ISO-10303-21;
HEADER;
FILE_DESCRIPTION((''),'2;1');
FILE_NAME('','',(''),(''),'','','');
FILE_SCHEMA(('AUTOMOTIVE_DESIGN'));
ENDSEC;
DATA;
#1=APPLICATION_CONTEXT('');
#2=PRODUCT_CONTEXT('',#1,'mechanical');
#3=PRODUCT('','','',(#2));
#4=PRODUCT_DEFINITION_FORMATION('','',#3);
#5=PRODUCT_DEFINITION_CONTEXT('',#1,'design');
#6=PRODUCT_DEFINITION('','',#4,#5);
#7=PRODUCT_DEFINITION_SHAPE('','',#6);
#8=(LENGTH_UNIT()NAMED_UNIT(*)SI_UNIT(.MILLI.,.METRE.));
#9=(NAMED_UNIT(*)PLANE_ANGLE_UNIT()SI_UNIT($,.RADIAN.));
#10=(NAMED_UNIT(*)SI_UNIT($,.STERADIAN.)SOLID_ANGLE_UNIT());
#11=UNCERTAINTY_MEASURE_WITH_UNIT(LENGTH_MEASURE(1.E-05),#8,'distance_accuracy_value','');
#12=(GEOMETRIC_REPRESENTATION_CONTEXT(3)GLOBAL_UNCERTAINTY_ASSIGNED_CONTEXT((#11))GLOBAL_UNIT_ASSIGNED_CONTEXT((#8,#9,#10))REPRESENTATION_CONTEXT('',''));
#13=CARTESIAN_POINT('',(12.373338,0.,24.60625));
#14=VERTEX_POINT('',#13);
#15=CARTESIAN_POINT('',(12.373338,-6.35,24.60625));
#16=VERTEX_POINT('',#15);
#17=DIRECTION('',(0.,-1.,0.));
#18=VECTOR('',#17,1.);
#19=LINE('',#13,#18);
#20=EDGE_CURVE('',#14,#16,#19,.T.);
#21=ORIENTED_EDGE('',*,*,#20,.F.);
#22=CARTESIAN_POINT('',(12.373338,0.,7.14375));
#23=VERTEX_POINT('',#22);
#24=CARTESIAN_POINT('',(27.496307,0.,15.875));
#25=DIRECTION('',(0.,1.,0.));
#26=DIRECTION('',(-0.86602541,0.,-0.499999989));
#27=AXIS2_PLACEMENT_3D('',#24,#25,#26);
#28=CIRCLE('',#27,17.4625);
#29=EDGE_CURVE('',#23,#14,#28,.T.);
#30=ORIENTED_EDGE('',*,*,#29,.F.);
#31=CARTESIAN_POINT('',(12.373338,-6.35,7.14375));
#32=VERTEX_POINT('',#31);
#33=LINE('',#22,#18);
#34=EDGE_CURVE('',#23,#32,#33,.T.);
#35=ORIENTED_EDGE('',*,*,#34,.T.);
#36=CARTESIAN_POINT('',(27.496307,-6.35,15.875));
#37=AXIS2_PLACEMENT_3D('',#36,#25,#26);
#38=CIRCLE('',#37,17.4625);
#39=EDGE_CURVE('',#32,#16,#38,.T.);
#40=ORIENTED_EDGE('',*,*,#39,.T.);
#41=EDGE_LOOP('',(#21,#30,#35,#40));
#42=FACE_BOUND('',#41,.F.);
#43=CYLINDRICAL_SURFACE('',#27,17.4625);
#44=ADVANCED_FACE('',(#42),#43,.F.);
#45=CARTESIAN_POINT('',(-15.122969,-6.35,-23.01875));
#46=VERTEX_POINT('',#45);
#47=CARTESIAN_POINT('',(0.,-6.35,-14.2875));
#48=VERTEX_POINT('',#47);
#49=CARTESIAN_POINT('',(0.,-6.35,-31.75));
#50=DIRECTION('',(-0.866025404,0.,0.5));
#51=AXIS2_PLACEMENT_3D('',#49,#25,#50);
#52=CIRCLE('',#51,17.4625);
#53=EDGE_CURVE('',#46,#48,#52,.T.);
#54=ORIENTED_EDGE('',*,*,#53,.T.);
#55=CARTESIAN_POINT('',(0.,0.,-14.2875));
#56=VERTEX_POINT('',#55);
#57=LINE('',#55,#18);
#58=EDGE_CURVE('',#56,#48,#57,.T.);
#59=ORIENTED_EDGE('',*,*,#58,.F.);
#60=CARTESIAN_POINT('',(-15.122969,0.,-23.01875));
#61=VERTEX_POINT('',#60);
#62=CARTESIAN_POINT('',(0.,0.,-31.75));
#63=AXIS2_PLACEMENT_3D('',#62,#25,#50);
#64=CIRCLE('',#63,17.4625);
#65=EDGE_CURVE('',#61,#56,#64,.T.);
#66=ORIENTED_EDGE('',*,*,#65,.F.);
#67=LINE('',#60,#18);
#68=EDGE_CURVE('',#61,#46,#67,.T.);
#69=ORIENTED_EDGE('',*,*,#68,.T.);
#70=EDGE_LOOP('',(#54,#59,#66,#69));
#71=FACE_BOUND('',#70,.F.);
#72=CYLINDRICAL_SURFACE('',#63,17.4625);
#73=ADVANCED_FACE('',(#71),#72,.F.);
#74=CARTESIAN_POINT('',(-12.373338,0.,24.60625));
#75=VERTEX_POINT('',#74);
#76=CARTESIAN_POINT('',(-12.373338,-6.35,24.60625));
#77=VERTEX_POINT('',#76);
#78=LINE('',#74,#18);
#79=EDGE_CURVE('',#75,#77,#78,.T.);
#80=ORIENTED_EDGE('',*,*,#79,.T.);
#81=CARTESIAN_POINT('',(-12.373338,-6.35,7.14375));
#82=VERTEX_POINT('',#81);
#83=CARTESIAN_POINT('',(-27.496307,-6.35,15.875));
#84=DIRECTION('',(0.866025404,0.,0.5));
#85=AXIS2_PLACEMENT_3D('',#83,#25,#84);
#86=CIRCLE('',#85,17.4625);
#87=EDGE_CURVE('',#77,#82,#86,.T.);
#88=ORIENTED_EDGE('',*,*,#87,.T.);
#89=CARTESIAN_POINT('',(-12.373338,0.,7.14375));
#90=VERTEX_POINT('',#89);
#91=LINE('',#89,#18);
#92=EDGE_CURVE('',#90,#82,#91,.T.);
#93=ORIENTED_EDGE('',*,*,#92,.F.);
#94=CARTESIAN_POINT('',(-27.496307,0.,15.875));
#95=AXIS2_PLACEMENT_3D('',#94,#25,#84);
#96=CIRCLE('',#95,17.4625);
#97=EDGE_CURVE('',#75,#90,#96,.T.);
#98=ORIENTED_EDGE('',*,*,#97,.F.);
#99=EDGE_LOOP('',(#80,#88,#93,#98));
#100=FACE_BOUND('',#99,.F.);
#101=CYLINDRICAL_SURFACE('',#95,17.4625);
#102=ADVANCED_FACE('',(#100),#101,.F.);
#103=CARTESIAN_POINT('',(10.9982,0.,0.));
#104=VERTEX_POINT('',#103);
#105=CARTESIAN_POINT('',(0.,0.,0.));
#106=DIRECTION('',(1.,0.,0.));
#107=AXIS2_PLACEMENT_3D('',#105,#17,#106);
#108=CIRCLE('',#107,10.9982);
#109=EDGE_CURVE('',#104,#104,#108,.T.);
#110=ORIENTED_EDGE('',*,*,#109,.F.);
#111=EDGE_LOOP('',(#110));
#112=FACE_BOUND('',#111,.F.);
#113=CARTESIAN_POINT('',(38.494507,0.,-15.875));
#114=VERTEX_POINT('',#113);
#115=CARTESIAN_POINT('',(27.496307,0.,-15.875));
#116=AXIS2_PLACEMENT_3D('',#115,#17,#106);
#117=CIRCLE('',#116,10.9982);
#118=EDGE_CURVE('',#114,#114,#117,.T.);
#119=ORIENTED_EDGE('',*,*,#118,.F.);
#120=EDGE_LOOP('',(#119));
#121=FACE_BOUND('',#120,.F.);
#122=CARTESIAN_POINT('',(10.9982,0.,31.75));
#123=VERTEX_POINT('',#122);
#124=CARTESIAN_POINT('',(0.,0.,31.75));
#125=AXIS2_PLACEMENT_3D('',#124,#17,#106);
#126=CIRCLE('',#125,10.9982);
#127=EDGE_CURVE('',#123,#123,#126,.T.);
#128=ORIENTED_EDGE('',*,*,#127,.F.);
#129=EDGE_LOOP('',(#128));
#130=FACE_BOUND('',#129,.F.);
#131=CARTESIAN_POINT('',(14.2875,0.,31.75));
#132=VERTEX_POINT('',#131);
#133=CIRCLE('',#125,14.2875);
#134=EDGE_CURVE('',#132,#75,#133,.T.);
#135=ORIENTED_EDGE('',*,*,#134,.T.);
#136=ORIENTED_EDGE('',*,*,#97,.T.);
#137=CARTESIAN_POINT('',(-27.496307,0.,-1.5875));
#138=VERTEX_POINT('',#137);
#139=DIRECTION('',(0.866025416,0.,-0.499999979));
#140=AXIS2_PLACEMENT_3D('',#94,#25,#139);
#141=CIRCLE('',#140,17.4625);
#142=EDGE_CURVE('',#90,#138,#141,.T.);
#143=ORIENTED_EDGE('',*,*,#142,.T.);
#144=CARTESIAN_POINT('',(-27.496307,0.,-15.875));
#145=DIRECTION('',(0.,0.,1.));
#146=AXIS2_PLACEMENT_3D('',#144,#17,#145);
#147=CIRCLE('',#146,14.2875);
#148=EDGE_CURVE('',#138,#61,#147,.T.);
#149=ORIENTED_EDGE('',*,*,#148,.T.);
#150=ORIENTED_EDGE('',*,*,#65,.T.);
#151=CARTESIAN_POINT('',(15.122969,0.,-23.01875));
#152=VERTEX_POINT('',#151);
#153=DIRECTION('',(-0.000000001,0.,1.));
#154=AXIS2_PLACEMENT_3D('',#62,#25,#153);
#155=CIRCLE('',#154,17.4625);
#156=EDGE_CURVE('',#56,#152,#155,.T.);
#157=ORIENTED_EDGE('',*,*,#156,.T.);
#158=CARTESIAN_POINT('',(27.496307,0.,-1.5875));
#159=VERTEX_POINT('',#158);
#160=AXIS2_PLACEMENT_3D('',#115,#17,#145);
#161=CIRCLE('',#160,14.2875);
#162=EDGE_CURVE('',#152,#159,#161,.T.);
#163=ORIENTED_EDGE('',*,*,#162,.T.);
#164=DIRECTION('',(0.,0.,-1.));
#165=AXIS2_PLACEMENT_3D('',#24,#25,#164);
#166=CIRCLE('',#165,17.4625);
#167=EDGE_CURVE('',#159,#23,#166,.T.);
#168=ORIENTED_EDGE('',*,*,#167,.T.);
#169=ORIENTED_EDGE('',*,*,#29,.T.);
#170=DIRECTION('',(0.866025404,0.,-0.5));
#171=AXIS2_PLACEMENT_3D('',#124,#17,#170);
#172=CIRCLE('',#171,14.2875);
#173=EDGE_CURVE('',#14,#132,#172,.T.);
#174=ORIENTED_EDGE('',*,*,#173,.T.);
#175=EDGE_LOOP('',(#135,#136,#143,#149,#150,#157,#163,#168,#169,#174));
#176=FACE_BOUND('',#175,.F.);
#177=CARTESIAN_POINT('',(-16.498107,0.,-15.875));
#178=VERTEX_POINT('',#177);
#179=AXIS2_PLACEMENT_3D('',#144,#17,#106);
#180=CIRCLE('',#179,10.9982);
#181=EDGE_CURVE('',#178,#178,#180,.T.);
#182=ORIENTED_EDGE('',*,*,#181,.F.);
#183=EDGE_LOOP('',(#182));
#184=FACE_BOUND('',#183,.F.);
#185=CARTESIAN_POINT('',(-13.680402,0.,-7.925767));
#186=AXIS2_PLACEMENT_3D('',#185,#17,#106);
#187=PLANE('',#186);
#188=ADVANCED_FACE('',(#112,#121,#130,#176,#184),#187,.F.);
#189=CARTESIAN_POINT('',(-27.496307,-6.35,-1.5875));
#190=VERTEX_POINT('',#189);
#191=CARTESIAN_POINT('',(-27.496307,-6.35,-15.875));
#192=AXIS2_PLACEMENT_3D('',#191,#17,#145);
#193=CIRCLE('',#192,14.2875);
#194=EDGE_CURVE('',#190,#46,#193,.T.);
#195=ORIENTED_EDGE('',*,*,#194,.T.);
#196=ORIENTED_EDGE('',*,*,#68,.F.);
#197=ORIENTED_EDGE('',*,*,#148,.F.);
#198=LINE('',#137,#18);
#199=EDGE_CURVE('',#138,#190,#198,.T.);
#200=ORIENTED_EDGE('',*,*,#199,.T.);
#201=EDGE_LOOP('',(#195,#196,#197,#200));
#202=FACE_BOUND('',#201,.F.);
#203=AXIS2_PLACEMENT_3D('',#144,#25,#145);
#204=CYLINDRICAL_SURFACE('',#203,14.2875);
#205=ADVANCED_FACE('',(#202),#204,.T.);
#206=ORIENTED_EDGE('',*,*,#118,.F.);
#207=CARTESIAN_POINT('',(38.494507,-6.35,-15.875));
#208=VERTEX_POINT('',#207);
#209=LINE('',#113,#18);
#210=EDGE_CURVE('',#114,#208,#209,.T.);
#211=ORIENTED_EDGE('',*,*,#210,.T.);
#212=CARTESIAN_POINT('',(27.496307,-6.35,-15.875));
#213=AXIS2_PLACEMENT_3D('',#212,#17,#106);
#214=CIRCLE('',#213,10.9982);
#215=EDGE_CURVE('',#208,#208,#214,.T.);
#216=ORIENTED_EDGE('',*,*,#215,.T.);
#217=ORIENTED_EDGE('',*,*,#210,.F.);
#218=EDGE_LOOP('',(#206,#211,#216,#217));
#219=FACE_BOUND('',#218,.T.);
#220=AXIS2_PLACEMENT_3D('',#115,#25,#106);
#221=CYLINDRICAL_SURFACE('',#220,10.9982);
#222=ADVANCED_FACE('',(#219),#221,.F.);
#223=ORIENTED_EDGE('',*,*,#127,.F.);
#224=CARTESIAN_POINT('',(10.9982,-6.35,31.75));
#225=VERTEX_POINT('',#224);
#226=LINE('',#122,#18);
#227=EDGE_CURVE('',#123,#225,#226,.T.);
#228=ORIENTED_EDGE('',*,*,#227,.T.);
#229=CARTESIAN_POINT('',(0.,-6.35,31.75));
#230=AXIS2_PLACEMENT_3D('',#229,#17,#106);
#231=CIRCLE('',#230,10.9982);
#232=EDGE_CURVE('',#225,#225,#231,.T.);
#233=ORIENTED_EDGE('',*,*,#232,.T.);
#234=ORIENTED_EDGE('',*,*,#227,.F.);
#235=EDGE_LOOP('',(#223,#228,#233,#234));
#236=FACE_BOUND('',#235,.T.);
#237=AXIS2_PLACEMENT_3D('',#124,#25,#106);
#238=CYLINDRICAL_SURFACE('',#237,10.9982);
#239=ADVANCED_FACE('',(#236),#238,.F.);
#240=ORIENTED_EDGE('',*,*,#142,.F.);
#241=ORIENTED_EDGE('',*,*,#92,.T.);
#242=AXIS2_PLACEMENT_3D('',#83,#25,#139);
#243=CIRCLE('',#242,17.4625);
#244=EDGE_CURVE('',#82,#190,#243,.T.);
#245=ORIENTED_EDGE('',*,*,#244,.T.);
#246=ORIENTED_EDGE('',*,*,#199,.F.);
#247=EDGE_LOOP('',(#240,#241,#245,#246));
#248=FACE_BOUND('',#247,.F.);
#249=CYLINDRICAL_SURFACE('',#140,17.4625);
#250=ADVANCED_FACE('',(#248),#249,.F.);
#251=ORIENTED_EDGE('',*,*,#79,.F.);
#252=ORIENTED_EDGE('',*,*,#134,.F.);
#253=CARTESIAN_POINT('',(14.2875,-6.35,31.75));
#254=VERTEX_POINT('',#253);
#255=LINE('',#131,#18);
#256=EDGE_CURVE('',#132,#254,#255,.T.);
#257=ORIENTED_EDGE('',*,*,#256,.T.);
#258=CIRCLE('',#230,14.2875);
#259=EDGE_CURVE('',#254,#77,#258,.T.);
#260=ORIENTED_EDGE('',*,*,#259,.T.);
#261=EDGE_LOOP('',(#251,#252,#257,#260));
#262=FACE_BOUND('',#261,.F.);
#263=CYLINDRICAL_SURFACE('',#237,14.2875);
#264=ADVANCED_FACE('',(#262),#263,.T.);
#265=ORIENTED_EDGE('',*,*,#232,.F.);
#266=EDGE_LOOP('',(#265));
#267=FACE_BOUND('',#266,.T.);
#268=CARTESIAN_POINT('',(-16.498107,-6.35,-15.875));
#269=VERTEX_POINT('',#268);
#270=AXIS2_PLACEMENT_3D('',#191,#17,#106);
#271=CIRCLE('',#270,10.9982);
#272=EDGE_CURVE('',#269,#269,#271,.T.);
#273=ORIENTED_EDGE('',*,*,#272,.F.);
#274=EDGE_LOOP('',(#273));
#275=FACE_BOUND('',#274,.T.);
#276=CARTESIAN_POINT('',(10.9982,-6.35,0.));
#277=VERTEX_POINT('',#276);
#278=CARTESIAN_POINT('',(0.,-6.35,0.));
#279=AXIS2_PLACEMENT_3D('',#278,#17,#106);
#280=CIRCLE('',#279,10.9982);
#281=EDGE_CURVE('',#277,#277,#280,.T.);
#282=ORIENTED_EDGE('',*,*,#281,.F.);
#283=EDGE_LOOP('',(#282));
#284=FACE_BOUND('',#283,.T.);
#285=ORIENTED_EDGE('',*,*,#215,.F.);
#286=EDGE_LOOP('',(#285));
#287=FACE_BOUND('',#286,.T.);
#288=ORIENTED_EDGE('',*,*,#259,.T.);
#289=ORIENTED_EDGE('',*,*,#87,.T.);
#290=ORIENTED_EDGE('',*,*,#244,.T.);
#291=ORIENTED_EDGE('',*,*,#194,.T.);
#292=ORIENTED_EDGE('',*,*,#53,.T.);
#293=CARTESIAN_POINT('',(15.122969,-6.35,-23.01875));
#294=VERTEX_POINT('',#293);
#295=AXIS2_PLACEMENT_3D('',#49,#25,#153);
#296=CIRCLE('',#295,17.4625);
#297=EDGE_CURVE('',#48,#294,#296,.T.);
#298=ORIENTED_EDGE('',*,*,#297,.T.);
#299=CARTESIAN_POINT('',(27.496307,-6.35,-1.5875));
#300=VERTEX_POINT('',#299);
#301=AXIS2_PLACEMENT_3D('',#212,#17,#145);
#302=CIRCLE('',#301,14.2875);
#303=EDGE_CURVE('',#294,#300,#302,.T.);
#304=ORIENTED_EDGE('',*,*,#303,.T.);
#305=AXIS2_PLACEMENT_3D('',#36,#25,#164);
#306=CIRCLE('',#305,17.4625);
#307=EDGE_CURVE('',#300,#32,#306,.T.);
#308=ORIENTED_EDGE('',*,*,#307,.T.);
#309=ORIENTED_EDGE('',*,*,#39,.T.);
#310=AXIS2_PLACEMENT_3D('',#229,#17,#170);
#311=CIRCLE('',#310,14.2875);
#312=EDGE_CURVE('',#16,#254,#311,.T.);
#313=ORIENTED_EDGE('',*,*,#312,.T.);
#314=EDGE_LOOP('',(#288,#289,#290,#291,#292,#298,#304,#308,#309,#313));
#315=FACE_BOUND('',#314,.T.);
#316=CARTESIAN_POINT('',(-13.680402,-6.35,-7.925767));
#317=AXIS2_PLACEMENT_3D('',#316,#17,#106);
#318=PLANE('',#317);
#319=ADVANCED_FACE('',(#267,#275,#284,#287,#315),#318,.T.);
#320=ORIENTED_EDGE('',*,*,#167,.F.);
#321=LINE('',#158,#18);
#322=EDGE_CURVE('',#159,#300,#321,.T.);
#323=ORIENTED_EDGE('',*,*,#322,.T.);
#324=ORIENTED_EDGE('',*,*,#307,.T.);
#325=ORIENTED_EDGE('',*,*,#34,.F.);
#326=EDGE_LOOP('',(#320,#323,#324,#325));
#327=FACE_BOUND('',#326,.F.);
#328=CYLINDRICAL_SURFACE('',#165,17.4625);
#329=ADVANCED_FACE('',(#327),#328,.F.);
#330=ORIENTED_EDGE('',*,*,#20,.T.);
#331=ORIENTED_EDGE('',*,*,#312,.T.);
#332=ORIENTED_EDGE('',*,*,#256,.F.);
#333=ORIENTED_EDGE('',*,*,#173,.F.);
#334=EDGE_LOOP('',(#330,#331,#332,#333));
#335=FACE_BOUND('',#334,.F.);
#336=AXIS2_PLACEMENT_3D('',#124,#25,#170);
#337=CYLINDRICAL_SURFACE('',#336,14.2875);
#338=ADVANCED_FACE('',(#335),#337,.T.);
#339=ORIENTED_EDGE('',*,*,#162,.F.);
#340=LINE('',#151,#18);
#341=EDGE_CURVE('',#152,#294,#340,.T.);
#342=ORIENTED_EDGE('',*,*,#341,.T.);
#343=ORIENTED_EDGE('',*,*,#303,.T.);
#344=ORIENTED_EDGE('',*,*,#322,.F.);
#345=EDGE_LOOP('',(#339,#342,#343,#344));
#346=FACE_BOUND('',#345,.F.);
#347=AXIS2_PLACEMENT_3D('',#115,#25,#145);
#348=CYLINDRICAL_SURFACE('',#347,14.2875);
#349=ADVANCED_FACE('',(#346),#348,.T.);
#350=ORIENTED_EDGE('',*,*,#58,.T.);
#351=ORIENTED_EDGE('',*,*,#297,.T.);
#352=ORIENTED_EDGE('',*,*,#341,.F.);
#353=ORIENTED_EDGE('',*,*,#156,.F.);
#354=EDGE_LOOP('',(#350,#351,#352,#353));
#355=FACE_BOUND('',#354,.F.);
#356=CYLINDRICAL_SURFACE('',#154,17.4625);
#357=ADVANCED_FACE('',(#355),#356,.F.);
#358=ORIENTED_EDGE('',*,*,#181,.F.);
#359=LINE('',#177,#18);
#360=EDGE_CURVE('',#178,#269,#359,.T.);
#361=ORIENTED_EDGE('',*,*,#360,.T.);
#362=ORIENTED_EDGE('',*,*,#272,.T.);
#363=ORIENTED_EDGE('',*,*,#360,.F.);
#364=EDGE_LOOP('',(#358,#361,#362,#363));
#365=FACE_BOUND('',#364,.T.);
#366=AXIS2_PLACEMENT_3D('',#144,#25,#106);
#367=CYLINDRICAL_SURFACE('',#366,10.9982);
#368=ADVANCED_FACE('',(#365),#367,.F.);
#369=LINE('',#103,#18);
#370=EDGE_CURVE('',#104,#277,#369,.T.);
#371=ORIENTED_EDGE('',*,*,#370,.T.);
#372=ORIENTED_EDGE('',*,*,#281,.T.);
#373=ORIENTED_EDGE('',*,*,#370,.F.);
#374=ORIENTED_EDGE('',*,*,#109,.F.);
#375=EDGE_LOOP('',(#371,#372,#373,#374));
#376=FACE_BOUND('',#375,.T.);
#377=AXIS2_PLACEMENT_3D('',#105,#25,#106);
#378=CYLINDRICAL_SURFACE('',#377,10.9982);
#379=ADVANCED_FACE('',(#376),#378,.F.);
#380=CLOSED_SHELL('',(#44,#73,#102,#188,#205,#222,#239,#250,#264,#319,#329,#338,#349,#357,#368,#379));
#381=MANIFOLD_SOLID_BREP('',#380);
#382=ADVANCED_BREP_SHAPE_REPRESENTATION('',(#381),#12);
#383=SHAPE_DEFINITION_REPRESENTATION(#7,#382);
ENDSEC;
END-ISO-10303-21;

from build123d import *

# Parameters (mm, degrees)
F0_R     = 10.9982
F1_DEPTH = 6.35


with BuildPart() as f1:
    # F0 (on Front) → F1 (new body)
    with BuildSketch(Plane.XZ):
        with BuildLine():
            ThreePointArc((-15.1229686136, -23.01875), (-8.7312500094, -16.6270313918), (-2.17e-08, -14.2875))
            ThreePointArc((-2.17e-08, -14.2875), (-12.3733380699, -7.1437498037), (-12.3733377407, 7.1437503739))
            ThreePointArc((-12.3733377407, 7.1437503739), (-18.7650563832, 0.7520314943), (-27.4963065702, -1.5875))
            ThreePointArc((-27.4963065702, -1.5875), (-17.393518434, -5.7722118638), (-13.2088065702, -15.875))
            ThreePointArc((-13.2088065702, -15.875), (-13.6956413271, -19.5728771069), (-15.1229686136, -23.01875))
        make_face()
        with BuildLine():
            ThreePointArc((-27.4963065702, -1.5875), (-39.8696445267, -23.01875), (-15.1229686136, -23.01875))
            ThreePointArc((-15.1229686136, -23.01875), (-13.6956413271, -19.5728771069), (-13.2088065702, -15.875))
            ThreePointArc((-13.2088065702, -15.875), (-17.393518434, -5.7722118638), (-27.4963065702, -1.5875))
        make_face()
        with Locations((-27.4963065702, -15.875)):
            Circle(F0_R, mode=Mode.SUBTRACT)
        with BuildLine():
            ThreePointArc((-2.17e-08, -14.2875), (10.1027881285, -10.1027881439), (14.2875, 0))
            ThreePointArc((14.2875, 0), (13.8006652147, 3.697877213), (12.3733378467, 7.1437501903))
            ThreePointArc((12.3733378467, 7.1437501903), (1.06e-07, 14.2875), (-12.3733377407, 7.1437503739))
            ThreePointArc((-12.3733377407, 7.1437503739), (-12.3733380699, -7.1437498037), (-2.17e-08, -14.2875))
        make_face()
        Circle(F0_R, mode=Mode.SUBTRACT)
        with BuildLine():
            ThreePointArc((-12.3733377407, 7.1437503739), (1.06e-07, 14.2875), (12.3733378467, 7.1437501903))
            ThreePointArc((12.3733378467, 7.1437501903), (10.0338065702, 15.8750001099), (12.3733379566, 24.60625))
            ThreePointArc((12.3733379566, 24.60625), (0, 17.4625), (-12.3733379566, 24.60625))
            ThreePointArc((-12.3733379566, 24.60625), (-10.0338065702, 15.8750002159), (-12.3733377407, 7.1437503739))
        make_face()
        with BuildLine():
            ThreePointArc((-12.3733379566, 24.60625), (0, 17.4625), (12.3733379566, 24.60625))
            ThreePointArc((12.3733379566, 24.60625), (13.8006652431, 28.0521228931), (14.2875, 31.75))
            ThreePointArc((14.2875, 31.75), (-3.6978771069, 45.5506652431), (-12.3733379566, 24.60625))
        make_face()
        with Locations((0, 31.75)):
            Circle(F0_R, mode=Mode.SUBTRACT)
        with BuildLine():
            ThreePointArc((41.7838065702, -15.875), (37.5990947064, -5.7722118638), (27.4963065702, -1.5875))
            ThreePointArc((27.4963065702, -1.5875), (15.1229686136, -8.73125), (15.1229686136, -23.01875))
            ThreePointArc((15.1229686136, -23.01875), (31.1941836771, -29.6756652431), (41.7838065702, -15.875))
        make_face()
        with Locations((27.4963065702, -15.875)):
            Circle(F0_R, mode=Mode.SUBTRACT)
        with BuildLine():
            ThreePointArc((12.3733378467, 7.1437501903), (13.8006652147, 3.697877213), (14.2875, 0))
            ThreePointArc((14.2875, 0), (10.1027881285, -10.1027881439), (-2.17e-08, -14.2875))
            ThreePointArc((-2.17e-08, -14.2875), (8.7312499906, -16.627031381), (15.1229686136, -23.01875))
            ThreePointArc((15.1229686136, -23.01875), (15.1229686136, -8.73125), (27.4963065702, -1.5875))
            ThreePointArc((27.4963065702, -1.5875), (18.765056475, 0.7520314413), (12.3733378467, 7.1437501903))
        make_face()
    extrude(amount=F1_DEPTH)


solid = f1.part
